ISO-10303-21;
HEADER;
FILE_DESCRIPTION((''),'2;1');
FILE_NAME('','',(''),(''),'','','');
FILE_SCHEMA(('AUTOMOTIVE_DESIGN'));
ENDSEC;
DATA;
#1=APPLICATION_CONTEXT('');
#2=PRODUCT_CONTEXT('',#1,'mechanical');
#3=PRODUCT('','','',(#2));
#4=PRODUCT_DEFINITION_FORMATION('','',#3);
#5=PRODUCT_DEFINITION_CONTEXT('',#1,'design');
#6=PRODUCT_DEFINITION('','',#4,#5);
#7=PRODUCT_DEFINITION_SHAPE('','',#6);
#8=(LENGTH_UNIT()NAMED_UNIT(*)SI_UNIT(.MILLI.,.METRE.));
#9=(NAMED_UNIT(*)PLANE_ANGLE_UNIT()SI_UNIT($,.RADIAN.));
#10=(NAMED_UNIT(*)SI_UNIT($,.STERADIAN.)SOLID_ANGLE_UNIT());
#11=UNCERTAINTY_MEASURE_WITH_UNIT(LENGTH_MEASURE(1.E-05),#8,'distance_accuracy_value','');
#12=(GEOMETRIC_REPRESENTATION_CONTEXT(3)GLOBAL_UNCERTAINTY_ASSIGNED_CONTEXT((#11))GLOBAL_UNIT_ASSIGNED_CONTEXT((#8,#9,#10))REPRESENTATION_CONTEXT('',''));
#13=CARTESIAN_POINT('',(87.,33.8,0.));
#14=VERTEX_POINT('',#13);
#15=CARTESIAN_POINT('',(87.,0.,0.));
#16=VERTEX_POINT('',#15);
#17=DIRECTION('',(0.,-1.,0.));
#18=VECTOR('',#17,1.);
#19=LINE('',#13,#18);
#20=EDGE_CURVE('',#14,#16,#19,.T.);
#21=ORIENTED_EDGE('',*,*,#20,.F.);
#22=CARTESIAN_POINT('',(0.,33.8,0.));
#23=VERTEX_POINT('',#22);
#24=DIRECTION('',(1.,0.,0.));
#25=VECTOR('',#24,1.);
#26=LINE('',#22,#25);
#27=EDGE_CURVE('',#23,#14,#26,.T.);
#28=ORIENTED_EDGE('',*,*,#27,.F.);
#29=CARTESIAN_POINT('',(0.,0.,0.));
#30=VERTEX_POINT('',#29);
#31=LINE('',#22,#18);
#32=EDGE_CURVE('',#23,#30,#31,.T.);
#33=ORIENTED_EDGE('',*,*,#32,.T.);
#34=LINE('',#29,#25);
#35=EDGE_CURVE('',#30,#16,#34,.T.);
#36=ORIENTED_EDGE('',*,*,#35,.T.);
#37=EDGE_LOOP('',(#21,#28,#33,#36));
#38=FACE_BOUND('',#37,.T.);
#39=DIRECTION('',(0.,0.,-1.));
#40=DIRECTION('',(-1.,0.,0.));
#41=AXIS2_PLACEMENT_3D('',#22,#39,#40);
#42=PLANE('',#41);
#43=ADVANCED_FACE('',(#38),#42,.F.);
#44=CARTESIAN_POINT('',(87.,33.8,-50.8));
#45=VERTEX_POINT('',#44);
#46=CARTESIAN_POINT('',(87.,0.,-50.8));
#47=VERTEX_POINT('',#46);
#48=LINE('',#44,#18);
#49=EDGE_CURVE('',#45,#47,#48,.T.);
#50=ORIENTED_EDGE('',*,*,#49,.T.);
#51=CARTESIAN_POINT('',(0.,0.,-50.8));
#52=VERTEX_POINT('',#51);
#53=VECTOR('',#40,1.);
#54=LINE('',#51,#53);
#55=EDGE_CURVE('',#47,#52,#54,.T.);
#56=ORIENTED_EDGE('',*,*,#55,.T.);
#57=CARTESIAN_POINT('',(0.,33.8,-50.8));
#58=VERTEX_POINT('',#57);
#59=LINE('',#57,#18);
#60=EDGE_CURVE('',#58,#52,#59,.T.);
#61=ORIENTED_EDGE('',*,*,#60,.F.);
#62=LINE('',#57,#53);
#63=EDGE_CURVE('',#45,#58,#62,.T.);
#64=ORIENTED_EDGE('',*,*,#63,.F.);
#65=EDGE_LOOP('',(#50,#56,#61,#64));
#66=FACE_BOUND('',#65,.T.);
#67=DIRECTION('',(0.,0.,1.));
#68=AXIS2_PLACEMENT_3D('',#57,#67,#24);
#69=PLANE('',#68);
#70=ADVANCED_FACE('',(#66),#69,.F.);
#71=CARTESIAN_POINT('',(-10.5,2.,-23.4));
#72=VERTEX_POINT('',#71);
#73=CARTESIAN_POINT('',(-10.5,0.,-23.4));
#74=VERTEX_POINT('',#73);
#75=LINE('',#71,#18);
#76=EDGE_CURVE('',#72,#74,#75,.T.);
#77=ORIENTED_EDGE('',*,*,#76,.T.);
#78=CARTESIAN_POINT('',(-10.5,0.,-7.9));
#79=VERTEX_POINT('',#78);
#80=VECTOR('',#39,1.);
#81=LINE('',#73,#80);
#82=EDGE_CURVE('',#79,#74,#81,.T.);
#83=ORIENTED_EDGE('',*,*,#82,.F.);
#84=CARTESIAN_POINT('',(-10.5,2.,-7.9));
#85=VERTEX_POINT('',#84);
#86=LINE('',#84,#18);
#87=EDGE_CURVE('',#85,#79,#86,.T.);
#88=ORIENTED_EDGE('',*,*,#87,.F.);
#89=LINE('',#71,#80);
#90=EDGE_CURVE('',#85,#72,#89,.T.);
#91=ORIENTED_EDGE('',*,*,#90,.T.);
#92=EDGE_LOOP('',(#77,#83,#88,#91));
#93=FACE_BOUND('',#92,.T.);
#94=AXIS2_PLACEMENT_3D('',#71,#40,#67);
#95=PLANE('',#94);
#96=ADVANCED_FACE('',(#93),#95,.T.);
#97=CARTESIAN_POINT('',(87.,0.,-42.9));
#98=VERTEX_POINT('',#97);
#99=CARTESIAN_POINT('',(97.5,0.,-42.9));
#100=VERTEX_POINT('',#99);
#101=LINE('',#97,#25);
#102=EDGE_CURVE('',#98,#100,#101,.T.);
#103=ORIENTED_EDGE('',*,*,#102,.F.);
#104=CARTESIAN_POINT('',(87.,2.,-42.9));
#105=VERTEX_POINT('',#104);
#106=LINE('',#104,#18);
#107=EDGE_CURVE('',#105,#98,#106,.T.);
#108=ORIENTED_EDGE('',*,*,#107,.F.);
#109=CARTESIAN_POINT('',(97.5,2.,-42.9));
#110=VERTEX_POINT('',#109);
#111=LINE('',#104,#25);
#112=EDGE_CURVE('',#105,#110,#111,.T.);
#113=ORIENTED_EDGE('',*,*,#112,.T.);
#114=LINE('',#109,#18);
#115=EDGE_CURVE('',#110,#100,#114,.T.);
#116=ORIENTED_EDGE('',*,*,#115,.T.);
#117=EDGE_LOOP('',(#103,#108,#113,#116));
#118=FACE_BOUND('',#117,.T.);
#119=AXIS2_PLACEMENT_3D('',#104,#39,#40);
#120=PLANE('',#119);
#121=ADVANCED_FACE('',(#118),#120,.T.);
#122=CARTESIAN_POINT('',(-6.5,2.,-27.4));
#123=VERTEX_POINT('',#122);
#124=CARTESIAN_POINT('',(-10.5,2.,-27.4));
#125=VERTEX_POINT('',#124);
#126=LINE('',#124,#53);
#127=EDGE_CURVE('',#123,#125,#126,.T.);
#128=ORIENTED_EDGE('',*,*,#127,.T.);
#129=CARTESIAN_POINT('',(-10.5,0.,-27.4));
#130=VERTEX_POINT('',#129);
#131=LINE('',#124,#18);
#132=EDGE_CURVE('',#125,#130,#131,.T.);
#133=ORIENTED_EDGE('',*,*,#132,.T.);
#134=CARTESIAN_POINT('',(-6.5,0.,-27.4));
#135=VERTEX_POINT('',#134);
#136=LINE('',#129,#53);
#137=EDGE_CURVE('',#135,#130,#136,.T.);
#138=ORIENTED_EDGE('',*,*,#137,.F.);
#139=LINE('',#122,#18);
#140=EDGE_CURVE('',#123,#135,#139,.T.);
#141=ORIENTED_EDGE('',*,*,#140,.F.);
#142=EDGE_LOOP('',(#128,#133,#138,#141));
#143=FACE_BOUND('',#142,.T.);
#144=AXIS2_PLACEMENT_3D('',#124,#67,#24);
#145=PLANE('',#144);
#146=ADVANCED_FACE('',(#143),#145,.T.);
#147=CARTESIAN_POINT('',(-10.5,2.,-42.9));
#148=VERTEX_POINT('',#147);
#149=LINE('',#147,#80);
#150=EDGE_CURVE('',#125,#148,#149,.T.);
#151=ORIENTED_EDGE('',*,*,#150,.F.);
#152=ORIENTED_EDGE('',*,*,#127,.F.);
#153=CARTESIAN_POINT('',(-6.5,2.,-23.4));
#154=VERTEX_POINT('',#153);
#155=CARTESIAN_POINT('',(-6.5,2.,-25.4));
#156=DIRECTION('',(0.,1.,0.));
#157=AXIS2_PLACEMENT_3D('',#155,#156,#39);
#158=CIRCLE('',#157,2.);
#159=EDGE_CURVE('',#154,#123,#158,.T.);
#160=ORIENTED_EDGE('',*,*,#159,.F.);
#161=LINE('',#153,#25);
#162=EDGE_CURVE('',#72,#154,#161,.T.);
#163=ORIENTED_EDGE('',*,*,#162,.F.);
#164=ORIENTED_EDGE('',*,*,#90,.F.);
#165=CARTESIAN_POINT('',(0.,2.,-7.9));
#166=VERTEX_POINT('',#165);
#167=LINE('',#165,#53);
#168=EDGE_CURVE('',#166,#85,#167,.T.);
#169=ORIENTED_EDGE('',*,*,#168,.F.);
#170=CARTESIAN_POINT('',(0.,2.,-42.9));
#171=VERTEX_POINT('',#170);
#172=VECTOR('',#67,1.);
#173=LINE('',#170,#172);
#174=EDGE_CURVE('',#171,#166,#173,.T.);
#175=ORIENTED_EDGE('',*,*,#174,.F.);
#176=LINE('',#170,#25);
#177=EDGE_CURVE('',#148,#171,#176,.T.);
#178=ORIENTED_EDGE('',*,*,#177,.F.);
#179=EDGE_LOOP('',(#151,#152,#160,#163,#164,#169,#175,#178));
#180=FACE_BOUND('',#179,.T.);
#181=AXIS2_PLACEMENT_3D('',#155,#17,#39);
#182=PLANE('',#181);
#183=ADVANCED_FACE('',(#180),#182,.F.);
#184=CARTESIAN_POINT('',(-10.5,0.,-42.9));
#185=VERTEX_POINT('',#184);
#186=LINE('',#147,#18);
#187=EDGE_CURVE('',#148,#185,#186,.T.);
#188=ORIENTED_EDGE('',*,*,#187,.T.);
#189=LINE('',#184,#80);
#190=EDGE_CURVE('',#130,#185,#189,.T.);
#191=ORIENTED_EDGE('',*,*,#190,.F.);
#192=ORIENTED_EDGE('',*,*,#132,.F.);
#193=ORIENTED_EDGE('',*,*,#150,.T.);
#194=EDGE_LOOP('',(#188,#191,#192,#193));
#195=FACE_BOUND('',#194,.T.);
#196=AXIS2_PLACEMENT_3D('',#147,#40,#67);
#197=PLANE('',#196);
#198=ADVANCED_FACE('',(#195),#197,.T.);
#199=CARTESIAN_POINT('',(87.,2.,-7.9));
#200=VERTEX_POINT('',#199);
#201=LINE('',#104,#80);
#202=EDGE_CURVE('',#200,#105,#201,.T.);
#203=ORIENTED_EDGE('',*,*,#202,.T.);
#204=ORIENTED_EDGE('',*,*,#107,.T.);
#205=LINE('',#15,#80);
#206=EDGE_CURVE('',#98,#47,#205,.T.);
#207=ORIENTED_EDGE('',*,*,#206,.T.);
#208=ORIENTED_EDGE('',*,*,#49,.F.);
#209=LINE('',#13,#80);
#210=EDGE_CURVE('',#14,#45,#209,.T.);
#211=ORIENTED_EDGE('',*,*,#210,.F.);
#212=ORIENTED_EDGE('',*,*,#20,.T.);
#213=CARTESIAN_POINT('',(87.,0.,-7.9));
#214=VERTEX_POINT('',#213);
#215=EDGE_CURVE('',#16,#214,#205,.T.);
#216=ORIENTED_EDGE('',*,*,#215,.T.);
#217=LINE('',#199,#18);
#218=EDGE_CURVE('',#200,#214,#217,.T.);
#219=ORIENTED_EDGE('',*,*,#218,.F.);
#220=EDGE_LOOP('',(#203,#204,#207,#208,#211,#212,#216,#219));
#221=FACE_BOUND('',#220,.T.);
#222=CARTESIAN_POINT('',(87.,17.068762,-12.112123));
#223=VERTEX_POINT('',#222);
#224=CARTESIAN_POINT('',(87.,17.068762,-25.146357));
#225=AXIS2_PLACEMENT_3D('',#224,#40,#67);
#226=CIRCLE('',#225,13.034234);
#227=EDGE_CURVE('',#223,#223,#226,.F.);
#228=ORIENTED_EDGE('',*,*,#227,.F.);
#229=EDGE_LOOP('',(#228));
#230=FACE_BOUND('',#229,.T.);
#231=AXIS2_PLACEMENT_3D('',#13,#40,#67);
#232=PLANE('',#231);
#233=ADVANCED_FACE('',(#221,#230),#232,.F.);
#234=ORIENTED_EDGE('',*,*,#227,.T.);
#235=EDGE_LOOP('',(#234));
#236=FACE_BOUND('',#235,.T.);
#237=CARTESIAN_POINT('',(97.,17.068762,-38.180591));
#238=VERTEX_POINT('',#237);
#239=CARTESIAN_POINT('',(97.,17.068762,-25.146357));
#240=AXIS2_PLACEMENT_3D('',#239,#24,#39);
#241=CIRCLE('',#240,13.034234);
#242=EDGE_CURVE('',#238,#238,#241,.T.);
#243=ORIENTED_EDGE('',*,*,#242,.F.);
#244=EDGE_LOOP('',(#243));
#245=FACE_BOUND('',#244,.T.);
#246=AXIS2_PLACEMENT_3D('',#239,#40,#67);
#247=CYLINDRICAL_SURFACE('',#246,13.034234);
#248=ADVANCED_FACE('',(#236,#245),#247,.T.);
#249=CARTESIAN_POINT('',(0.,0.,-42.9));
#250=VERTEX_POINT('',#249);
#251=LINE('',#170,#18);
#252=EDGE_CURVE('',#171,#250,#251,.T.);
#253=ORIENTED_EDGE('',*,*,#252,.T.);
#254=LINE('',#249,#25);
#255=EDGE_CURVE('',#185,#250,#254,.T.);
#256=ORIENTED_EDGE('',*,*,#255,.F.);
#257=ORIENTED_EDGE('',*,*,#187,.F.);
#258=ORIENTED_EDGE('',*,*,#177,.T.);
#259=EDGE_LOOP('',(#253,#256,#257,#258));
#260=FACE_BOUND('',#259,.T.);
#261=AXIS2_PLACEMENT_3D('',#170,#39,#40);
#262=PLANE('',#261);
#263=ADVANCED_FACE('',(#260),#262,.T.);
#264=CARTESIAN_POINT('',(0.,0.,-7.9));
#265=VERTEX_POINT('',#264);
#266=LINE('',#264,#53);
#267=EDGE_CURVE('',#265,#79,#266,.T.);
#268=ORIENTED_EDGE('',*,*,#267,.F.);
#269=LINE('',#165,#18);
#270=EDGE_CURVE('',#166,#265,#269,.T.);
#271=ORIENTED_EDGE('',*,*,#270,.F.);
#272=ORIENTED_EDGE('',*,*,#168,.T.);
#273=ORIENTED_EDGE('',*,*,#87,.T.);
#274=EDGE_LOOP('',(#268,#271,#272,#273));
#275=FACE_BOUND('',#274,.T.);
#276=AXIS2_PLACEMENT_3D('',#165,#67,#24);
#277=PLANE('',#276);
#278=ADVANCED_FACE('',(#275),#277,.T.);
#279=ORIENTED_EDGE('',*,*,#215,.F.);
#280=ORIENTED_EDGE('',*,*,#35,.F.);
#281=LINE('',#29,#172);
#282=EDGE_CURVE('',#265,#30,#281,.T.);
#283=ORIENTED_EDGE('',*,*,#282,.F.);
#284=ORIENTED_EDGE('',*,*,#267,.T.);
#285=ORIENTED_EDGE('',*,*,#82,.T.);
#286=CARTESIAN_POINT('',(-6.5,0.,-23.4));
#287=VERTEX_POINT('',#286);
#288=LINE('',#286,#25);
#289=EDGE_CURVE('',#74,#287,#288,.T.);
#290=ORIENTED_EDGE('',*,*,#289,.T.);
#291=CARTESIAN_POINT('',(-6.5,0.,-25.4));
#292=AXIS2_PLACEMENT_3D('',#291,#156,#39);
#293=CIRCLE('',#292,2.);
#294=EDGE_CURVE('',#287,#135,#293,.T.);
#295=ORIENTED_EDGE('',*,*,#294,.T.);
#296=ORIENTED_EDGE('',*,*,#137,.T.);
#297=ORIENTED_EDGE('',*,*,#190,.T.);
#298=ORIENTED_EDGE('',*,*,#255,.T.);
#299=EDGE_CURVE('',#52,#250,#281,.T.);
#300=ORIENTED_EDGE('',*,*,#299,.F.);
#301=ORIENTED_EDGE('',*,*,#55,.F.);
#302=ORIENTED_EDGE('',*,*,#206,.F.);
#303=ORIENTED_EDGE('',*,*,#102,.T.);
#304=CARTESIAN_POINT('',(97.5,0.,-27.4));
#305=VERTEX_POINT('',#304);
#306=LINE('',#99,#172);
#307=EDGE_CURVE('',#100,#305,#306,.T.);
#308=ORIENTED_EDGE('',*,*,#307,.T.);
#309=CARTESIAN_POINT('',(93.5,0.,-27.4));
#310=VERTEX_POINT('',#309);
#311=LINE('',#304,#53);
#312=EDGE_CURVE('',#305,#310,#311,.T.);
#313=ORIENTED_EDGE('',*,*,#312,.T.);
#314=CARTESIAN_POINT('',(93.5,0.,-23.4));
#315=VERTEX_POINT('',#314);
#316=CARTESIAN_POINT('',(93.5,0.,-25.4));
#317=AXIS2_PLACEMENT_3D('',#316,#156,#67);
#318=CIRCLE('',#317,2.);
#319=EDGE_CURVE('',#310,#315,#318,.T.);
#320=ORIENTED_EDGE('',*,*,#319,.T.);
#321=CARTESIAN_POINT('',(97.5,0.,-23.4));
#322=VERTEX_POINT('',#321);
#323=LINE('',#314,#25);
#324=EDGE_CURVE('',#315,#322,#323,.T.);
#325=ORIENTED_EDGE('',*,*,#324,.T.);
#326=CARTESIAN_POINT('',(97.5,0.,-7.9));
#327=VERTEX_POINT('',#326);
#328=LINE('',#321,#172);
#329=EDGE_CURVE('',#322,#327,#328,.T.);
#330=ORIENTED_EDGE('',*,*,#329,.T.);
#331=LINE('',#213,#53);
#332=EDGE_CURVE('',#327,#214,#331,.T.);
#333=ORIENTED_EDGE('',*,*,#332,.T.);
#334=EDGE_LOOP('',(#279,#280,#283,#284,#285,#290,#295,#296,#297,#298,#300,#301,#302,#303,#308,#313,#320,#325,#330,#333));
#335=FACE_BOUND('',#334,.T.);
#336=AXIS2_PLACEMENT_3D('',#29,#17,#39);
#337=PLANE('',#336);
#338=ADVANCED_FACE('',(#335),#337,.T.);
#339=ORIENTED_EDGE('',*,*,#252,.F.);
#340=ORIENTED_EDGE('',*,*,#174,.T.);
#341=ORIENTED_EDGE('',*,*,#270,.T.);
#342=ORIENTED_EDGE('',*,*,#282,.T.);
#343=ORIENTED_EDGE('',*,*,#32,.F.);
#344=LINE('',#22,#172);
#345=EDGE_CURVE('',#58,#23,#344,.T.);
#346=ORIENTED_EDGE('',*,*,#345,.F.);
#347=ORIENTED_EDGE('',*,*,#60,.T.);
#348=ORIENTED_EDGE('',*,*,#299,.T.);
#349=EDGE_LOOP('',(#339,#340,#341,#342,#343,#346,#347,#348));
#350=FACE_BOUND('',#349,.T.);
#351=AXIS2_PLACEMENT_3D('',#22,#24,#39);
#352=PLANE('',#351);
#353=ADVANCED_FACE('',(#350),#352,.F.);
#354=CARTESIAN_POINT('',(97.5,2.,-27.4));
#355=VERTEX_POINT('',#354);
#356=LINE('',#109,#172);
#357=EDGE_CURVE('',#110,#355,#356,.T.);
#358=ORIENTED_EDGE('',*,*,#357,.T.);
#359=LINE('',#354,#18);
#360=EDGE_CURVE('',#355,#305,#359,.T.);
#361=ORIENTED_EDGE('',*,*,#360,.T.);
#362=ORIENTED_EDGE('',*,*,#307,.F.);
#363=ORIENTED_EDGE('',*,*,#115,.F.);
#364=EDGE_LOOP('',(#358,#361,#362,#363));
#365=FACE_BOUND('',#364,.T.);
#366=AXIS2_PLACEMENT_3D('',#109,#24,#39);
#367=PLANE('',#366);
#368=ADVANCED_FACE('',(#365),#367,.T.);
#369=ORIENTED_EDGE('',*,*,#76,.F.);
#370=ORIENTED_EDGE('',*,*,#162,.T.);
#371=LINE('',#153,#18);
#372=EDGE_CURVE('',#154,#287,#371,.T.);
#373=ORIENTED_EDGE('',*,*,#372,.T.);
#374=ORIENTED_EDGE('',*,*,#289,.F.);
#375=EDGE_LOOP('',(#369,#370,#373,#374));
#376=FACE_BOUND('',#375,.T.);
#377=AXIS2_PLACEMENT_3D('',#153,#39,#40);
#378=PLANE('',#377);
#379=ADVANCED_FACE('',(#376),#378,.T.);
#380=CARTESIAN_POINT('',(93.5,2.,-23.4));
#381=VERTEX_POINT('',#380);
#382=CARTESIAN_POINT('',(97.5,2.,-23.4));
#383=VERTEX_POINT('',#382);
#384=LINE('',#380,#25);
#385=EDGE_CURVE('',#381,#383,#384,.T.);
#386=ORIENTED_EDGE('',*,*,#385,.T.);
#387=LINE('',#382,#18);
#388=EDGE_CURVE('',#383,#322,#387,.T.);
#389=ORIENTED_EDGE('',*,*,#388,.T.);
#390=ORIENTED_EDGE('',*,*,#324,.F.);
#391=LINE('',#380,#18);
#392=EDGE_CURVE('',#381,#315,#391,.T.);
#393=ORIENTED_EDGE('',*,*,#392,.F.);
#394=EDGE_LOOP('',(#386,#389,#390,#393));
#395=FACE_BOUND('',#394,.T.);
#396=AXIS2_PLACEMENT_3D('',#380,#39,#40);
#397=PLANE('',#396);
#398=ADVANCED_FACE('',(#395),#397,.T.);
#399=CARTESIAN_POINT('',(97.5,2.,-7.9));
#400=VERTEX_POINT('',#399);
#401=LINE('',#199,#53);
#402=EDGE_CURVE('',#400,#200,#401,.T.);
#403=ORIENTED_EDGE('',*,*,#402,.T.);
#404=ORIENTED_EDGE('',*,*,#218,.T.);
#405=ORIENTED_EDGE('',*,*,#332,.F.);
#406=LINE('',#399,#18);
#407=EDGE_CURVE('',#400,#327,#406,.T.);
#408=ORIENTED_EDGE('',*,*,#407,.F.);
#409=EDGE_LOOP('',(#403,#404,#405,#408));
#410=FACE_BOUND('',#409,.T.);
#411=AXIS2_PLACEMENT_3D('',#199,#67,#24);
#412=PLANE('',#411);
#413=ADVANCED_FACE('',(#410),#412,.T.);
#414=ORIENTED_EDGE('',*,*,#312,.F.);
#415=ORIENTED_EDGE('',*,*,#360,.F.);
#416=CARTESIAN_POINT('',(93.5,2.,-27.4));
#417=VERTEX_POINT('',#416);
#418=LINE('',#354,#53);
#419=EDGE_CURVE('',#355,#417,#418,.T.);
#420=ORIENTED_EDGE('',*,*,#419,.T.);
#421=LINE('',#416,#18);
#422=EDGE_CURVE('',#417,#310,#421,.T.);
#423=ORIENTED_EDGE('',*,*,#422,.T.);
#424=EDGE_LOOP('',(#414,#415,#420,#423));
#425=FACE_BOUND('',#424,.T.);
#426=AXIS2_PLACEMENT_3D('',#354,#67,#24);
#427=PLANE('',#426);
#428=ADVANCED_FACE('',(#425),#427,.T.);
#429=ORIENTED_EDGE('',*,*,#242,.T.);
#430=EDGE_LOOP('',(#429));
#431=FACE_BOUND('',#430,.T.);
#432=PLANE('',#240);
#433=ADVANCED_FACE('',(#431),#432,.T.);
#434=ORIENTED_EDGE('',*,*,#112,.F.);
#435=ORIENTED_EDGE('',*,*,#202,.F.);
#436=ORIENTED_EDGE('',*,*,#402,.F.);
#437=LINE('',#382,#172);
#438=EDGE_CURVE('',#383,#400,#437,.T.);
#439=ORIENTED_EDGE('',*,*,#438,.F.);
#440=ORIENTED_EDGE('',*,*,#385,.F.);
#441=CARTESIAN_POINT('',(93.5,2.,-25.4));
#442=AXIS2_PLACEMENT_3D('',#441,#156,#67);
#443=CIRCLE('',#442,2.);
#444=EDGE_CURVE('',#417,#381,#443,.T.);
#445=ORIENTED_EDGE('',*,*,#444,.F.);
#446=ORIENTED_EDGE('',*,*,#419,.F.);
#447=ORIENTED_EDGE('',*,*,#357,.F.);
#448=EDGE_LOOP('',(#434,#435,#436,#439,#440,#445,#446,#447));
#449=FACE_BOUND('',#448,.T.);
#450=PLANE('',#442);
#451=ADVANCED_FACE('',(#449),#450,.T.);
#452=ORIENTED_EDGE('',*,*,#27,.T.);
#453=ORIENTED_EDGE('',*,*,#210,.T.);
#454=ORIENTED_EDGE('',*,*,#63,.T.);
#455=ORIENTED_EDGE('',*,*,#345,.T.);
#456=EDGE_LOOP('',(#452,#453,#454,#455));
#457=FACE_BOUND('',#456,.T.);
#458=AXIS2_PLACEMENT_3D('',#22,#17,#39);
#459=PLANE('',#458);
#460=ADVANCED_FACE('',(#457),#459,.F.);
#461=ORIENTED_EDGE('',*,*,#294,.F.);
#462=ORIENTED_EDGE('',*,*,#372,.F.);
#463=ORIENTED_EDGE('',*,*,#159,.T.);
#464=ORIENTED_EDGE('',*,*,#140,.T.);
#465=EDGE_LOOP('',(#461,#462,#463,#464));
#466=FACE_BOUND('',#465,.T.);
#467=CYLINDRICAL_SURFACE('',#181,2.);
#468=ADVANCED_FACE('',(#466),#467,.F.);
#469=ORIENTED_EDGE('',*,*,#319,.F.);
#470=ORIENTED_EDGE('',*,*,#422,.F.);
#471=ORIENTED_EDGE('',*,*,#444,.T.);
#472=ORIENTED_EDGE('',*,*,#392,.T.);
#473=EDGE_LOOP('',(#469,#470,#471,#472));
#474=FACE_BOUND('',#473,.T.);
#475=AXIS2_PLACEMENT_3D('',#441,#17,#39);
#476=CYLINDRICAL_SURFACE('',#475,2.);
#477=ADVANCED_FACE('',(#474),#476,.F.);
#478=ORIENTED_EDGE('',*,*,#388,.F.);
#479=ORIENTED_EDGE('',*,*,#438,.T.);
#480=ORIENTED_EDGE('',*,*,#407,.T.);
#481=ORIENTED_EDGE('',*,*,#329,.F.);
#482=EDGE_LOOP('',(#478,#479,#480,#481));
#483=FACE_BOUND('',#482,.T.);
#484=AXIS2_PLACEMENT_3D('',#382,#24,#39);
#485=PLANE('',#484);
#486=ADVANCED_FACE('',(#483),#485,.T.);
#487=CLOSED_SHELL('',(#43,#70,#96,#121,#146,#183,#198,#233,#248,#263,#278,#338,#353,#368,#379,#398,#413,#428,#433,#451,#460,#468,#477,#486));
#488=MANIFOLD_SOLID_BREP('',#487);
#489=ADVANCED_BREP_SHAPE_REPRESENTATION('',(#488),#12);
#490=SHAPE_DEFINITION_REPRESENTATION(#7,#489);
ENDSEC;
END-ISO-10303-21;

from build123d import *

# Parameters (mm, degrees)
SKETCH1_W           = 87
SKETCH1_H           = 50.8
BOSS_EXTRUDE1_DEPTH = 33.8
BOSS_EXTRUDE2_DEPTH = 2
SKETCH5_R           = 13.034233904
BOSS_EXTRUDE4_DEPTH = 10


with BuildPart() as part:
    # Sketch1 → Boss-Extrude1 (new body)
    with BuildSketch(Plane(origin=(0, 0, 0), x_dir=(1, 0, 0), z_dir=(0, 1, 0))):
        with Locations((43.5, 25.4)):
            Rectangle(SKETCH1_W, SKETCH1_H)
    extrude(amount=BOSS_EXTRUDE1_DEPTH)

    # Sketch2 → Boss-Extrude2 (add)
    with BuildSketch(Plane.XZ):
        with BuildLine():
            Line((0, -42.9), (-10.5, -42.9))
            Line((-10.5, -42.9), (-10.5, -27.4))
            Line((-10.5, -27.4), (-6.5, -27.4))
            ThreePointArc((-6.5, -27.4), (-4.5, -25.4), (-6.5, -23.4))
            Line((-6.5, -23.4), (-10.5, -23.4))
            Line((-10.5, -23.4), (-10.5, -7.9))
            Line((-10.5, -7.9), (0, -7.9))
            Line((0, -7.9), (0, -42.9))
        make_face()
        with BuildLine():
            Line((97.5, -23.4), (97.5, -7.9))
            Line((97.5, -7.9), (87, -7.9))
            Line((87, -7.9), (87, -42.9))
            Line((87, -42.9), (97.5, -42.9))
            Line((97.5, -42.9), (97.5, -27.4))
            Line((97.5, -27.4), (93.5, -27.4))
            ThreePointArc((93.5, -27.4), (91.5, -25.4), (93.5, -23.4))
            Line((93.5, -23.4), (97.5, -23.4))
        make_face()
    extrude(amount=-BOSS_EXTRUDE2_DEPTH)

    # Sketch5 → Boss-Extrude4 (add)
    with BuildSketch(Plane(origin=(87, 0, 0), x_dir=(0, 0, -1), z_dir=(1, 0, 0))):
        with Locations((25.146357233, 17.068762313)):
            Circle(SKETCH5_R)
    extrude(amount=BOSS_EXTRUDE4_DEPTH)


solid = part.part
